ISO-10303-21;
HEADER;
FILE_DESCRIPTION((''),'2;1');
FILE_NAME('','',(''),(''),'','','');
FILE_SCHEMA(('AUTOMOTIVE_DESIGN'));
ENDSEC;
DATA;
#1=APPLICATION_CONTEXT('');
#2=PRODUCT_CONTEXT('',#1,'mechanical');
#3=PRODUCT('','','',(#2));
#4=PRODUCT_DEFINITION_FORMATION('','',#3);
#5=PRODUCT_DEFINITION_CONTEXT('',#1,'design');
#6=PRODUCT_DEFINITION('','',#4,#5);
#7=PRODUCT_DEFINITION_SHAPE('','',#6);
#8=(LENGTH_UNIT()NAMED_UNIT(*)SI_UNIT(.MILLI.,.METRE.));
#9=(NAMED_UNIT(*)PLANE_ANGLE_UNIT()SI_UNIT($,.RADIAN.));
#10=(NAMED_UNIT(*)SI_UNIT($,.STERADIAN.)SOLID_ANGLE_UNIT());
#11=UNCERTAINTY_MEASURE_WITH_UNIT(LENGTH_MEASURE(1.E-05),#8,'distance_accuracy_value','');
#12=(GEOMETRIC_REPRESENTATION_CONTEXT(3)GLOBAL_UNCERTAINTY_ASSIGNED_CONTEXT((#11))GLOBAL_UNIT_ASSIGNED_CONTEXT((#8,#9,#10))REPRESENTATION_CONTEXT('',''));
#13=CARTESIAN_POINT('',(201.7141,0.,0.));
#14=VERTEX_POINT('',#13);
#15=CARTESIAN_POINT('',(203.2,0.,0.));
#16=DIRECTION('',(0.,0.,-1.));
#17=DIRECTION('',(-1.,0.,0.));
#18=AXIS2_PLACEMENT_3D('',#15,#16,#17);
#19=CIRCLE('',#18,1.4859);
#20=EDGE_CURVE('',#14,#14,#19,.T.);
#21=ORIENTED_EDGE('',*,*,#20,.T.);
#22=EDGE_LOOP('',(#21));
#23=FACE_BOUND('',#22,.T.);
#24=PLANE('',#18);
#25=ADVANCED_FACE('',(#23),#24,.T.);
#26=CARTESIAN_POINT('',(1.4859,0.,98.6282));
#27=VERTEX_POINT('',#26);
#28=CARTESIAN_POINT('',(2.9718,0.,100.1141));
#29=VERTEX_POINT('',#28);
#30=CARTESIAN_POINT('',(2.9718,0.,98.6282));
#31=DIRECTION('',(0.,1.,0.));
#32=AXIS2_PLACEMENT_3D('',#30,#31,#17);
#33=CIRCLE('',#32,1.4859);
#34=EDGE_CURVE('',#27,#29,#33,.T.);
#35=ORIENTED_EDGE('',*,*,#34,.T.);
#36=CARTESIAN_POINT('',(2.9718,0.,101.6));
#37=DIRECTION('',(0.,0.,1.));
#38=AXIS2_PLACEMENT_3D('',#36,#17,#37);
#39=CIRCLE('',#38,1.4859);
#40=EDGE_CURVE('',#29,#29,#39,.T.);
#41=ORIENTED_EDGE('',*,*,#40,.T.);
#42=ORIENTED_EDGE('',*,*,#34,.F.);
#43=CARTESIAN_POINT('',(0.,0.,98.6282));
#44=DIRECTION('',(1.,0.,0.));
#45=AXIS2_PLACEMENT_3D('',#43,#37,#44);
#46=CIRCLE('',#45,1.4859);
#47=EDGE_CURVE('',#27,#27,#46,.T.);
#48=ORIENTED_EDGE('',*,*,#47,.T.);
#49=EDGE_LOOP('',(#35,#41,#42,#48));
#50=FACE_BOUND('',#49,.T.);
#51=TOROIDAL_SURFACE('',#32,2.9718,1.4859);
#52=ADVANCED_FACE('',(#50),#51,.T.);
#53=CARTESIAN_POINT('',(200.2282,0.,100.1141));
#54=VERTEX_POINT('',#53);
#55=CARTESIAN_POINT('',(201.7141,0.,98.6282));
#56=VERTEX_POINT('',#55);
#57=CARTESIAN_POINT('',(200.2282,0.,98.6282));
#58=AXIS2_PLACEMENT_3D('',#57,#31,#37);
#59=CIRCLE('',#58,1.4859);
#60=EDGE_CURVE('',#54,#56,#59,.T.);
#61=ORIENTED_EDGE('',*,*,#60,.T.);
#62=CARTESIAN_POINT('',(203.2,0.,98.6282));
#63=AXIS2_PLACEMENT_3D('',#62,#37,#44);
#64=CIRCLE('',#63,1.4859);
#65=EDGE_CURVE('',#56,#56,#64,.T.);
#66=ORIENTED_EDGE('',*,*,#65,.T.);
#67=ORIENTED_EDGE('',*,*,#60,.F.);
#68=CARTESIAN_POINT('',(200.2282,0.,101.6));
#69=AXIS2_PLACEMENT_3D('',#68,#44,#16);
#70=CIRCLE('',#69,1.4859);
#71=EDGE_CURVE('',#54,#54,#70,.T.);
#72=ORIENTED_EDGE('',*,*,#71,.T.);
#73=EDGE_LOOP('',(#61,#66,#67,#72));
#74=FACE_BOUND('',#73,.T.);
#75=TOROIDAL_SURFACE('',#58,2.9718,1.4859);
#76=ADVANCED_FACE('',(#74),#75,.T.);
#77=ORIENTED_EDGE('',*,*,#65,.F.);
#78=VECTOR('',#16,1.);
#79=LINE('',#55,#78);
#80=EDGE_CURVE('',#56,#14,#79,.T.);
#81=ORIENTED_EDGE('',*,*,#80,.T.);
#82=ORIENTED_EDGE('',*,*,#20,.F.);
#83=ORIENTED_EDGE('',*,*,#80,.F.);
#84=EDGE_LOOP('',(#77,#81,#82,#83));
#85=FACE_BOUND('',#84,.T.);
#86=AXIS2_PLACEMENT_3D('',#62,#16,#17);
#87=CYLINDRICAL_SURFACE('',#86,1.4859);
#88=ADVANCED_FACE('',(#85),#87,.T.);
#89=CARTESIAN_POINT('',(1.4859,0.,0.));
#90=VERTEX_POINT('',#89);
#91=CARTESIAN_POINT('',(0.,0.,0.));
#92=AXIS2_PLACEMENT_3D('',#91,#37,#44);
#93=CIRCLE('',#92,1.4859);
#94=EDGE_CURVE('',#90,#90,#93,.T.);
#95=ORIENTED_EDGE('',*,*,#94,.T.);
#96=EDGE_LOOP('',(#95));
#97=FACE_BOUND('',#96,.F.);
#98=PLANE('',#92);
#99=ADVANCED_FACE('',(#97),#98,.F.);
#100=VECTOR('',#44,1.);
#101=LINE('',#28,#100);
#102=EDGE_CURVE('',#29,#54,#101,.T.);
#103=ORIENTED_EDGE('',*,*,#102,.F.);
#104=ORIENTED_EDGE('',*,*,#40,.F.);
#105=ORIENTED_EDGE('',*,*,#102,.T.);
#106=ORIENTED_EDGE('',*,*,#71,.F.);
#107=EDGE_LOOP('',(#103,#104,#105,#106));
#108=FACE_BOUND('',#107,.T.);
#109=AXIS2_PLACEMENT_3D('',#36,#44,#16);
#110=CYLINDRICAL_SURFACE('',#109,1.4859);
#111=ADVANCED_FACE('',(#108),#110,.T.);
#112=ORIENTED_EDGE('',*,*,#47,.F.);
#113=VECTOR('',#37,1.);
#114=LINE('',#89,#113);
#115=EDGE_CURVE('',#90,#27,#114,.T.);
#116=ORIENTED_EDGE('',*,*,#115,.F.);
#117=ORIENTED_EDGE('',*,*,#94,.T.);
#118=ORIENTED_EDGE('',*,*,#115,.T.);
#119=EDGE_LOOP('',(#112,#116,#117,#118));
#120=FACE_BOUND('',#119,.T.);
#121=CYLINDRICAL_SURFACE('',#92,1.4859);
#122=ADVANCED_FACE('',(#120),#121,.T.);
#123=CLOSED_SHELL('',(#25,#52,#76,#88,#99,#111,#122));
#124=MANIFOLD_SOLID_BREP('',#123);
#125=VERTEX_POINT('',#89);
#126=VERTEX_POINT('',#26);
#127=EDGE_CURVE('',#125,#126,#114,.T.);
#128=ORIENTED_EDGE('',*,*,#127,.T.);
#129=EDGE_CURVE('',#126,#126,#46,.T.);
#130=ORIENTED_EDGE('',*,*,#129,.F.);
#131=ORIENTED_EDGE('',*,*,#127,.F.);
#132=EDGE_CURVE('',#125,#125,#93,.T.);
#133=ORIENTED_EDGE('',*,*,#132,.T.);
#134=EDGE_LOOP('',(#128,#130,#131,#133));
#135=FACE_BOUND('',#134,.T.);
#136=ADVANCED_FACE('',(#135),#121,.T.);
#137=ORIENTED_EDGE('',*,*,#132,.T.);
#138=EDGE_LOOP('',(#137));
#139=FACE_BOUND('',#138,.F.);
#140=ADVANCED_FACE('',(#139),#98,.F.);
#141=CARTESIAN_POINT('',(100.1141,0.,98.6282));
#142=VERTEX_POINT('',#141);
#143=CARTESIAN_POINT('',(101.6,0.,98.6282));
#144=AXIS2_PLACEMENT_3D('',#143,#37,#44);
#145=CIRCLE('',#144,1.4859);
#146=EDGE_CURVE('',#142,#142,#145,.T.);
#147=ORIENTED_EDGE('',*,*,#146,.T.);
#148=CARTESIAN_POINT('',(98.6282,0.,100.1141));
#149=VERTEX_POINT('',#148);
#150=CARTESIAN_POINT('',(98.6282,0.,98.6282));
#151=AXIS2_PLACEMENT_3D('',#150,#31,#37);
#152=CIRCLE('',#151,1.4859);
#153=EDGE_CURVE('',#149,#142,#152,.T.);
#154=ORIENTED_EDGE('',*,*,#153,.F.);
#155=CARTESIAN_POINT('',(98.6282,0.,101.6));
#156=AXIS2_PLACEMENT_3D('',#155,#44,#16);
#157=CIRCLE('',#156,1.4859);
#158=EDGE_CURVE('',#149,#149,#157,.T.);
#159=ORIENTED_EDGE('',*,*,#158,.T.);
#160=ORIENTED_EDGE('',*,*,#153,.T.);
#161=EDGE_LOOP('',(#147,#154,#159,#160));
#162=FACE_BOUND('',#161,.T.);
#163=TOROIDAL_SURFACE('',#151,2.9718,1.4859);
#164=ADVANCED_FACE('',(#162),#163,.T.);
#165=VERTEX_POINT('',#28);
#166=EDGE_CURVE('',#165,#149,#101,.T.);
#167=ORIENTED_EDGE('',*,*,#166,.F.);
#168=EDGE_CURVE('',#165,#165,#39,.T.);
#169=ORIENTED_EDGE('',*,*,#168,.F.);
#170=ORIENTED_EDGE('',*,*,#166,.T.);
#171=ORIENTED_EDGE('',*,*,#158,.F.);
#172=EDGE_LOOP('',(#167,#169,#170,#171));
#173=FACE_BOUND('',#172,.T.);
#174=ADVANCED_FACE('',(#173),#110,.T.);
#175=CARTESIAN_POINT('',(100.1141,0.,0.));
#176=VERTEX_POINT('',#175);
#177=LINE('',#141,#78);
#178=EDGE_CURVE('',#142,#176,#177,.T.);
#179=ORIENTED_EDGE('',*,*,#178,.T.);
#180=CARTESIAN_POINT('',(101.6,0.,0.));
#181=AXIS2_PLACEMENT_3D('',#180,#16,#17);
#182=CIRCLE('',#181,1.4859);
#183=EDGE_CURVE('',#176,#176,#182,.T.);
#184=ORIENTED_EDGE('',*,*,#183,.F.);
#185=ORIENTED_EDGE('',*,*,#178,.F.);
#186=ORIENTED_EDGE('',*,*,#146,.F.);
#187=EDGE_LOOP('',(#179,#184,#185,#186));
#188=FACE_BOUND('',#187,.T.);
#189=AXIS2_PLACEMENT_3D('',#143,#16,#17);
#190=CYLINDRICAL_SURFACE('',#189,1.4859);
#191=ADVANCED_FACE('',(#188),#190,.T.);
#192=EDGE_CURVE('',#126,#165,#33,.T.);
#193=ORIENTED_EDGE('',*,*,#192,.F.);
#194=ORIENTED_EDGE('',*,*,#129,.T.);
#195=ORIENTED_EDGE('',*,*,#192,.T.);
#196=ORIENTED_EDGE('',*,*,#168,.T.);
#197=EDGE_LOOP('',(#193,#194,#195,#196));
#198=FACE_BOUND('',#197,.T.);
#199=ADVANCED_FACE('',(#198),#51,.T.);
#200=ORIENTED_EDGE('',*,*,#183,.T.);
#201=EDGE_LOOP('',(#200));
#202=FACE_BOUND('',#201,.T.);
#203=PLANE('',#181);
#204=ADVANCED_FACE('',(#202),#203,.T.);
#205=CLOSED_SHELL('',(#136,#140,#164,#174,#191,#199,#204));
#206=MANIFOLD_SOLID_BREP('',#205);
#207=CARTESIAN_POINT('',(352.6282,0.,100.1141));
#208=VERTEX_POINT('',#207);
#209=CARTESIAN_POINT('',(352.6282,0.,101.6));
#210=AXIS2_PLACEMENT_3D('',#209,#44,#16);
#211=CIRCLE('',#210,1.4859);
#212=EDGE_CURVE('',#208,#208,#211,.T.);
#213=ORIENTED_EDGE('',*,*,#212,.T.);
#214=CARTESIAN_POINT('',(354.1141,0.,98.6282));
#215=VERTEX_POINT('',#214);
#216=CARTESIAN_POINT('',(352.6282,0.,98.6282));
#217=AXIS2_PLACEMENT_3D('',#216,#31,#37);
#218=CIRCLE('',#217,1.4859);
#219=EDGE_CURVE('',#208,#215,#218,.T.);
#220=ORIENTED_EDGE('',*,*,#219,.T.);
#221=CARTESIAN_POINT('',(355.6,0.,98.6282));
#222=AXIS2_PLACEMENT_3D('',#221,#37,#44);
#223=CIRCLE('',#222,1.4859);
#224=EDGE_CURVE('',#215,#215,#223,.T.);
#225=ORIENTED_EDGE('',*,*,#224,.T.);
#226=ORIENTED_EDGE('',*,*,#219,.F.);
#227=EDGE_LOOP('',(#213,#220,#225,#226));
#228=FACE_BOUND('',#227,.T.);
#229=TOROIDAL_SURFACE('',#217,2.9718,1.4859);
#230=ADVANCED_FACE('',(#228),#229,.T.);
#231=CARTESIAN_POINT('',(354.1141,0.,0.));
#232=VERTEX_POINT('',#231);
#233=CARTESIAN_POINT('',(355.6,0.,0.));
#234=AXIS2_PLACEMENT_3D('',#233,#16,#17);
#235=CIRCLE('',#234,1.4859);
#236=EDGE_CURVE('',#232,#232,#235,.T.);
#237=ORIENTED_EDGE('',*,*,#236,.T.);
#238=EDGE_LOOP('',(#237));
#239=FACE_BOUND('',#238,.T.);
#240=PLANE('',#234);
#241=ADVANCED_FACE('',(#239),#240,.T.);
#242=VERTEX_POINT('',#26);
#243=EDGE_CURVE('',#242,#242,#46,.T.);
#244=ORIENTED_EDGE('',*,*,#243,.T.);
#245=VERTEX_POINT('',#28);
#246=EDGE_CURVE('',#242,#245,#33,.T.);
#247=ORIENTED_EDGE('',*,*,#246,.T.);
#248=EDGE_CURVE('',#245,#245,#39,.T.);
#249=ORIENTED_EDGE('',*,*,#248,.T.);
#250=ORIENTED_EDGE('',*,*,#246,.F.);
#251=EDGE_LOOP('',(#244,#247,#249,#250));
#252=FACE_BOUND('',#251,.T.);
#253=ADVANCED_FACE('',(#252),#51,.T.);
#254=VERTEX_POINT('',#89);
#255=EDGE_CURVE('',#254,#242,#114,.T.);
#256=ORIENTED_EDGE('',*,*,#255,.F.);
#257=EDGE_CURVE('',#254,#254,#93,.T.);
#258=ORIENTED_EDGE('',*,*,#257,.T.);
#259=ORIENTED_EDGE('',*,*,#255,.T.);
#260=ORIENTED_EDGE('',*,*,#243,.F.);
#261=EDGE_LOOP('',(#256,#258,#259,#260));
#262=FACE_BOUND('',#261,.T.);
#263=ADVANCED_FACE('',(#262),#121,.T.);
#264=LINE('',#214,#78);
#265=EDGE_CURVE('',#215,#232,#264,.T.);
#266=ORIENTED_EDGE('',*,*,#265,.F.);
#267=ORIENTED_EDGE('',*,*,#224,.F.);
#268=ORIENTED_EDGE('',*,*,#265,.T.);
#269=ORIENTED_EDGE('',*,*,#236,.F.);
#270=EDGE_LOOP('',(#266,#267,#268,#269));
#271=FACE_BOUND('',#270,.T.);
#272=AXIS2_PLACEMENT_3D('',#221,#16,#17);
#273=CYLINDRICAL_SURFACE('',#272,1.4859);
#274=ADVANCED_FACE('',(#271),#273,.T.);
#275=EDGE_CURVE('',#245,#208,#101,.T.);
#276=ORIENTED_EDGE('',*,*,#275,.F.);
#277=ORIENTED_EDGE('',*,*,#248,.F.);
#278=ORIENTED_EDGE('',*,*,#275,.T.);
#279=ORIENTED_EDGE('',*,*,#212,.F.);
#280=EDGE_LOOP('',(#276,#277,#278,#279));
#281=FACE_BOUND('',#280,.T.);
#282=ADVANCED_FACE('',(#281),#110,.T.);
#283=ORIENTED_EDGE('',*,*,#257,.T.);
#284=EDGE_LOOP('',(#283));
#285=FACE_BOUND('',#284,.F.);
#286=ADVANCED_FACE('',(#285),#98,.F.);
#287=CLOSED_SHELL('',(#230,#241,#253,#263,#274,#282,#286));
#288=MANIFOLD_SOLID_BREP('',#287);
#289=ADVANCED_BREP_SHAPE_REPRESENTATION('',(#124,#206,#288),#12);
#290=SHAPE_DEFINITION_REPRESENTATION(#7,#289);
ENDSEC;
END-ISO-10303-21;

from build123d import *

# Parameters (mm, degrees)
F0_R = 1.4859


with BuildPart() as f4:
    # F4: sweep along a path in F1
    with BuildLine(Plane.XZ) as f4_path:
        Line((0, 0), (0, 98.6282))
        ThreePointArc((0, 98.6282), (0.8704200677, 100.7295799323), (2.9718, 101.6))
        Line((2.9718, 101.6), (98.6282, 101.6))
        ThreePointArc((98.6282, 101.6), (100.7295799323, 100.7295799323), (101.6, 98.6282))
        Line((101.6, 98.6282), (101.6, 0))
    # F0 (on Top) → F4 (sweep)
    with BuildSketch(Plane.XY):
        Circle(F0_R)
    sweep(path=f4_path.line)


with BuildPart() as f5:
    # F5: sweep along a path in F2
    with BuildLine(Plane.XZ) as f5_path:
        Line((0, 0), (0, 98.6282))
        ThreePointArc((0, 98.6282), (0.8704200677, 100.7295799323), (2.9718, 101.6))
        Line((2.9718, 101.6), (200.2282, 101.6))
        ThreePointArc((200.2282, 101.6), (202.3295799323, 100.7295799323), (203.2, 98.6282))
        Line((203.2, 98.6282), (203.2, 0))
    # F0 (on Top) → F5 (sweep)
    with BuildSketch(Plane.XY):
        Circle(F0_R)
    sweep(path=f5_path.line)


with BuildPart() as f6:
    # F6: sweep along a path in F3
    with BuildLine(Plane.XZ) as f6_path:
        Line((0, 0), (0, 98.6282))
        ThreePointArc((0, 98.6282), (0.8704200677, 100.7295799323), (2.9718, 101.6))
        Line((2.9718, 101.6), (352.6282, 101.6))
        ThreePointArc((352.6282, 101.6), (354.7295799323, 100.7295799323), (355.6, 98.6282))
        Line((355.6, 98.6282), (355.6, 0))
    # F0 (on Top) → F6 (sweep)
    with BuildSketch(Plane.XY):
        Circle(F0_R)
    sweep(path=f6_path.line)


solid = Compound([f4.part, f5.part, f6.part])
